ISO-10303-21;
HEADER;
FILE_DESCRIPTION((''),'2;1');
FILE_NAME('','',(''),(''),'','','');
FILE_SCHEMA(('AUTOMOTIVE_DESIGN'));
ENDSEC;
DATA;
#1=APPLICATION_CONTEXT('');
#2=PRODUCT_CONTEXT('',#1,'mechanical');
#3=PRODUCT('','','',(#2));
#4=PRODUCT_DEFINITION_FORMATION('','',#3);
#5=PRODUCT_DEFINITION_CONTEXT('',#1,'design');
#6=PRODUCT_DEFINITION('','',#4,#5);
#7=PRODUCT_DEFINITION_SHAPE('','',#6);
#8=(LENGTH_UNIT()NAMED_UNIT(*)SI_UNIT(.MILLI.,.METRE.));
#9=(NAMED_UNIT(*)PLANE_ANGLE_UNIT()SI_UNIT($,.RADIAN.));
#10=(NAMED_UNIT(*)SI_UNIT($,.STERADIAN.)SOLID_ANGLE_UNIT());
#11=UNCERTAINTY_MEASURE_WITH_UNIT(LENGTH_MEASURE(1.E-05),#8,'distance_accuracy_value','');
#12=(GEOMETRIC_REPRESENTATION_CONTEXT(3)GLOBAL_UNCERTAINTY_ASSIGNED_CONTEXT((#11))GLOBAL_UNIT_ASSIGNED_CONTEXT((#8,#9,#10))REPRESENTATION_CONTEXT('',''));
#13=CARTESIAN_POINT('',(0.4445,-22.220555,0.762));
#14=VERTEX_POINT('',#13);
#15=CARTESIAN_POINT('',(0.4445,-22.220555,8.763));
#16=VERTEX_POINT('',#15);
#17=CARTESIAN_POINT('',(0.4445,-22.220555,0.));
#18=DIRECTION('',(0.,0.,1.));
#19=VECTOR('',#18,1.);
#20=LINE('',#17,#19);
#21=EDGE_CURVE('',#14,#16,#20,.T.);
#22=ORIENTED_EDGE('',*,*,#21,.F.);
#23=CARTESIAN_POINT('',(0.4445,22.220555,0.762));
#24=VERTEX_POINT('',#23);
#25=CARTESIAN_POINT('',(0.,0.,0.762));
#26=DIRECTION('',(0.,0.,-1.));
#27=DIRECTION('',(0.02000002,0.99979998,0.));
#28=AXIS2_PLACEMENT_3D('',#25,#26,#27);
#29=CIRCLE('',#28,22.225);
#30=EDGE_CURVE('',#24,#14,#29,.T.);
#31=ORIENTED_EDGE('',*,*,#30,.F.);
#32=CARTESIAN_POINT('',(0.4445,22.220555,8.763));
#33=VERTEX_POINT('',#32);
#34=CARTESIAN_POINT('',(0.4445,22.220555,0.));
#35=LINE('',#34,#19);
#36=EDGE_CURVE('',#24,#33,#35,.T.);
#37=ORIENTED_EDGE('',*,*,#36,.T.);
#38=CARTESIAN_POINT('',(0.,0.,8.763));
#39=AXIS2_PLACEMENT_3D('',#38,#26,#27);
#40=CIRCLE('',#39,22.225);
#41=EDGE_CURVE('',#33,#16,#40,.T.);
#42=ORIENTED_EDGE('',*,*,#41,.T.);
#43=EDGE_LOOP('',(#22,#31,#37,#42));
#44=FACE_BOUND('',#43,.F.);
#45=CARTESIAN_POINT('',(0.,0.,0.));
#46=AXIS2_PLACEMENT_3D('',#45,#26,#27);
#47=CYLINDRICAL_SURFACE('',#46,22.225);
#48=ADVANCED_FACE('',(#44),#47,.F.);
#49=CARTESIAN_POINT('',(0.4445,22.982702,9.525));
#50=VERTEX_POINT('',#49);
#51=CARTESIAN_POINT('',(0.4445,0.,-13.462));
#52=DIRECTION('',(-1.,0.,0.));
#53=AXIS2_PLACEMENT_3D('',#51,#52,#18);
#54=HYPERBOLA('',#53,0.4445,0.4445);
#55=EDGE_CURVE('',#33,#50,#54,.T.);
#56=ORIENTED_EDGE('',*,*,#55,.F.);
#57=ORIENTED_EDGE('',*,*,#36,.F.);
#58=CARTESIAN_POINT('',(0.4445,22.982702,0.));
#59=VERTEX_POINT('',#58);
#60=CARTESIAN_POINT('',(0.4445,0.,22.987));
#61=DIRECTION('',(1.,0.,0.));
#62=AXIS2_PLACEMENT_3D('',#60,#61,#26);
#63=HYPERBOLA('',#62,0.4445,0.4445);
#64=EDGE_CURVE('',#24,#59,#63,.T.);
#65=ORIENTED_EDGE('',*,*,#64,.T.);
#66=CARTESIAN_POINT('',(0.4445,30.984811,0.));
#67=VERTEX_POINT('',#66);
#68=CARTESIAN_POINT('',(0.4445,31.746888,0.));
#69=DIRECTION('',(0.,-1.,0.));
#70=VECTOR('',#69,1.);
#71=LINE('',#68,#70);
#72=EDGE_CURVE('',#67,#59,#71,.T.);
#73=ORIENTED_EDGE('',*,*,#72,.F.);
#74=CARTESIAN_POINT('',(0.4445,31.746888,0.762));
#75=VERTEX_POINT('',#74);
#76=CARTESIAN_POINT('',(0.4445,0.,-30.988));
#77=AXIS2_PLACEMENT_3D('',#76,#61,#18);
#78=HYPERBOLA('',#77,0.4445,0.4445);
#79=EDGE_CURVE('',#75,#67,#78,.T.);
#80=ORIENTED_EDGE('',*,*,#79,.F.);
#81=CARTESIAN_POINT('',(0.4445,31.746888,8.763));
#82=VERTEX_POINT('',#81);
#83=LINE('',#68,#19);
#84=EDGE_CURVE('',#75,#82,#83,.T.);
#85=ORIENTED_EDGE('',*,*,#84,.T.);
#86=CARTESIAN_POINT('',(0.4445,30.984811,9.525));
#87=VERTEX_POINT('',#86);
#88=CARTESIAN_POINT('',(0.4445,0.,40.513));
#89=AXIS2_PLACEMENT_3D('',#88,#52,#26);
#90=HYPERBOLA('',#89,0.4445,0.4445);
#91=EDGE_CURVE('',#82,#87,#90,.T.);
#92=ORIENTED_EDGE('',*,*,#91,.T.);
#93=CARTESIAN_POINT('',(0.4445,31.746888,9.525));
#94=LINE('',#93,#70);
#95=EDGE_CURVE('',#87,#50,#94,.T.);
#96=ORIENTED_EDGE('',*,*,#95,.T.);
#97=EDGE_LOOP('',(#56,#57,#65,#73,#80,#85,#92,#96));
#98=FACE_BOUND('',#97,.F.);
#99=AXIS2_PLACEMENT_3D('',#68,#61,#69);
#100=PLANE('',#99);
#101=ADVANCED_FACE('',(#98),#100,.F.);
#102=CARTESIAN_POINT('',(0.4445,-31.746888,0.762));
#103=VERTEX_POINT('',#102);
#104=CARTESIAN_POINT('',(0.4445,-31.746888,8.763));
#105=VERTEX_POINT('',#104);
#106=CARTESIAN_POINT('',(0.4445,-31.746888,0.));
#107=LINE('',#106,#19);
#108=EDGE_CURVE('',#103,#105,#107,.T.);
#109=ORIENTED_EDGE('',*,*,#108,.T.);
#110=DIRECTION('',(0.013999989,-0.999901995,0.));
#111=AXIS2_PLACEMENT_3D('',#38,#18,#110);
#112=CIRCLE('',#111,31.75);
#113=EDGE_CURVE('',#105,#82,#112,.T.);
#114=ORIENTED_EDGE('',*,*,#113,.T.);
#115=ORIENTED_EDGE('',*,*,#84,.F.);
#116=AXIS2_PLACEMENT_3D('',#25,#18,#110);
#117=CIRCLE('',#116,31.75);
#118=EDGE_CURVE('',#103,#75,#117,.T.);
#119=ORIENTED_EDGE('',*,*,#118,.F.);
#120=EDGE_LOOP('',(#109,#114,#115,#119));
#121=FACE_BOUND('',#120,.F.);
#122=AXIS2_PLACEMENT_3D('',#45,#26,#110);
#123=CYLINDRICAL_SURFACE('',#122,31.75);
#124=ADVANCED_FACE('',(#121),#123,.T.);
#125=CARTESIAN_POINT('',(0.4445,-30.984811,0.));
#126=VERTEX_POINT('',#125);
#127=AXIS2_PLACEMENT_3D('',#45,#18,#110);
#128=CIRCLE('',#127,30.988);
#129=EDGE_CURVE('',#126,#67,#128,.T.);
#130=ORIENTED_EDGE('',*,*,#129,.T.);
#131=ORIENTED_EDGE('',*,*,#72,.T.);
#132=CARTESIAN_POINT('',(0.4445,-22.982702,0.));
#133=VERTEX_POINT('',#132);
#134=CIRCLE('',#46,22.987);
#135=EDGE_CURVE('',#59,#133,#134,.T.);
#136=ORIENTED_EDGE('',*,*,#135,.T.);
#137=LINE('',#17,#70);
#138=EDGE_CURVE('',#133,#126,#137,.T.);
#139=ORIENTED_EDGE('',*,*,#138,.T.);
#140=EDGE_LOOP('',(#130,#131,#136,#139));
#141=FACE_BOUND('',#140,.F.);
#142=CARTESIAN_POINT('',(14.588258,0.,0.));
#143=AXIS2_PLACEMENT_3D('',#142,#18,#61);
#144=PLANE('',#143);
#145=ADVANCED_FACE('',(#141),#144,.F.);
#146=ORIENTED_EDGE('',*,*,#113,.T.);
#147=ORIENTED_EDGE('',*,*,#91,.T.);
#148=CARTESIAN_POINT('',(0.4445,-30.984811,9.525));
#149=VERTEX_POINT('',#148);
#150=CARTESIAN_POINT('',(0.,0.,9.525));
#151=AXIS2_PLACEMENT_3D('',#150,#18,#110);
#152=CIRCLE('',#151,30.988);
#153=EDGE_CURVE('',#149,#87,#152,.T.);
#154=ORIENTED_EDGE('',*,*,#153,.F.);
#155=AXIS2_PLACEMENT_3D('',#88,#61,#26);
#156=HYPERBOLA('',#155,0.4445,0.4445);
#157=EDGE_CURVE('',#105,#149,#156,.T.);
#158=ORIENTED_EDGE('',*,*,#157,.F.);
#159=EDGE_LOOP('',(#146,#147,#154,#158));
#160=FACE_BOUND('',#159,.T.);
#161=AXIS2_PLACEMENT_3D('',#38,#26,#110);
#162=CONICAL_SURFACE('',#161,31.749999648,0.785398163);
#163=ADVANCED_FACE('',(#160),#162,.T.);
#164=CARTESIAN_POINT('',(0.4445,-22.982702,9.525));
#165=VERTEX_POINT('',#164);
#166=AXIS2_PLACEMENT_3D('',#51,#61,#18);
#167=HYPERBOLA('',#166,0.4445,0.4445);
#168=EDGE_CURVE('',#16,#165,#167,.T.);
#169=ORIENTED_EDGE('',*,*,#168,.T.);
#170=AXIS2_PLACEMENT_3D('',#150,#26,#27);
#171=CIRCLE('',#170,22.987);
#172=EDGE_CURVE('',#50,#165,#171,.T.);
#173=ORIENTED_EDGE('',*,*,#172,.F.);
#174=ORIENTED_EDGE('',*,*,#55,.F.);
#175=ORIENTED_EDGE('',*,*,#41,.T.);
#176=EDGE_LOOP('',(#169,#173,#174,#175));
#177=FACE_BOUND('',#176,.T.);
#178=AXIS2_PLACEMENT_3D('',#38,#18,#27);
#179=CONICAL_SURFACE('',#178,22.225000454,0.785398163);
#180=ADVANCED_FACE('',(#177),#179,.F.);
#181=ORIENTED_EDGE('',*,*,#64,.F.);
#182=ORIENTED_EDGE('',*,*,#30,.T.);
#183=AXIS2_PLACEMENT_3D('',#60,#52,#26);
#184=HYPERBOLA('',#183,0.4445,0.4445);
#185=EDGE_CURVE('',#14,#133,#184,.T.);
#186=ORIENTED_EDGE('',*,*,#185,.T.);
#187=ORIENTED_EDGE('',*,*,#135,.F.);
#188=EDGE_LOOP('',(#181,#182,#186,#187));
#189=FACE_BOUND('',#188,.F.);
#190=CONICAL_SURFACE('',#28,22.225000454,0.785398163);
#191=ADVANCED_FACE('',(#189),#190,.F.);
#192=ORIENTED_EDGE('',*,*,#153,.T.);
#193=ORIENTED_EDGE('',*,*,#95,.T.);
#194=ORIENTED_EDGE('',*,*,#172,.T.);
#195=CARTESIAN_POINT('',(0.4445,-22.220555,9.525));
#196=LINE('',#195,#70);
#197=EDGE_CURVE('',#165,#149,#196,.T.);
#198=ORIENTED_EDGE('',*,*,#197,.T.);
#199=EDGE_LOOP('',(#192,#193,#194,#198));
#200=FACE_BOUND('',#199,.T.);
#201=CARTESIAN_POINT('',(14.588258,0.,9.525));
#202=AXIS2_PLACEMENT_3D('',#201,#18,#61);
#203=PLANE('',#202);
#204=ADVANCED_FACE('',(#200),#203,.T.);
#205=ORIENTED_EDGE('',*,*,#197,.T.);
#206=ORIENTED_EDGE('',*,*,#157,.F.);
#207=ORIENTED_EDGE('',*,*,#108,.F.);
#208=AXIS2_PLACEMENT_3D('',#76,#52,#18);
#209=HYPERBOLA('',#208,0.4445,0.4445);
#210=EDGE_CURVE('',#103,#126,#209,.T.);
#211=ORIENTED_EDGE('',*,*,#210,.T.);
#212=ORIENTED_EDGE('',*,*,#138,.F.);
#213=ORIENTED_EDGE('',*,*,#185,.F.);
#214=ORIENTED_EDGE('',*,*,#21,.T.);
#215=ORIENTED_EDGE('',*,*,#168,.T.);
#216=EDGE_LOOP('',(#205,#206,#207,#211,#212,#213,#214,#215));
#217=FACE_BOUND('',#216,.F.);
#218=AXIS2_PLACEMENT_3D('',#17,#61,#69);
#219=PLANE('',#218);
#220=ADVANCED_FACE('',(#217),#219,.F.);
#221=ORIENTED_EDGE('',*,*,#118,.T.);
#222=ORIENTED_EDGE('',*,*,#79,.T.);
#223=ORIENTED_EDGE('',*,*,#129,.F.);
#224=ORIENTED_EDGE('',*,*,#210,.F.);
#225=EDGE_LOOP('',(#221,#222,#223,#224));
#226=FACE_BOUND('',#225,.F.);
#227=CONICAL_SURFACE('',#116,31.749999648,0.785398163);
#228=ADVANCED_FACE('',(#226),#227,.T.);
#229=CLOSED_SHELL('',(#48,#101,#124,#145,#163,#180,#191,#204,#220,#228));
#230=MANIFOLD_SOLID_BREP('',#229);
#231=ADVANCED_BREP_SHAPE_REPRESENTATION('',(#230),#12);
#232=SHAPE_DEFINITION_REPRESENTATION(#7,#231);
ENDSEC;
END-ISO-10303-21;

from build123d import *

# Parameters (mm, degrees)
F1_DEPTH = 9.525
F2_SIZE  = 0.762


with BuildPart() as f1:
    # F0 (on Top) → F1 (new body)
    with BuildSketch(Plane.XY):
        with BuildLine():
            ThreePointArc((0.4445, 22.220555), (22.225, 0), (0.4445, -22.220555))
            Line((0.4445, -22.220555), (0.4445, -31.746888))
            ThreePointArc((0.4445, -31.746888), (31.75, 0), (0.4445, 31.746888))
            Line((0.4445, 31.746888), (0.4445, 22.220555))
        make_face()
    extrude(amount=F1_DEPTH)

    # F2
    f2_edges = [f1.edges().sort_by_distance(p)[0] for p in [
        (31.75, 0, 9.525),
        (31.75, 0, 0),
        (22.225, 0, 9.525),
        (22.225, 0, 0),
    ]]
    chamfer(f2_edges, length=F2_SIZE)


solid = f1.part
